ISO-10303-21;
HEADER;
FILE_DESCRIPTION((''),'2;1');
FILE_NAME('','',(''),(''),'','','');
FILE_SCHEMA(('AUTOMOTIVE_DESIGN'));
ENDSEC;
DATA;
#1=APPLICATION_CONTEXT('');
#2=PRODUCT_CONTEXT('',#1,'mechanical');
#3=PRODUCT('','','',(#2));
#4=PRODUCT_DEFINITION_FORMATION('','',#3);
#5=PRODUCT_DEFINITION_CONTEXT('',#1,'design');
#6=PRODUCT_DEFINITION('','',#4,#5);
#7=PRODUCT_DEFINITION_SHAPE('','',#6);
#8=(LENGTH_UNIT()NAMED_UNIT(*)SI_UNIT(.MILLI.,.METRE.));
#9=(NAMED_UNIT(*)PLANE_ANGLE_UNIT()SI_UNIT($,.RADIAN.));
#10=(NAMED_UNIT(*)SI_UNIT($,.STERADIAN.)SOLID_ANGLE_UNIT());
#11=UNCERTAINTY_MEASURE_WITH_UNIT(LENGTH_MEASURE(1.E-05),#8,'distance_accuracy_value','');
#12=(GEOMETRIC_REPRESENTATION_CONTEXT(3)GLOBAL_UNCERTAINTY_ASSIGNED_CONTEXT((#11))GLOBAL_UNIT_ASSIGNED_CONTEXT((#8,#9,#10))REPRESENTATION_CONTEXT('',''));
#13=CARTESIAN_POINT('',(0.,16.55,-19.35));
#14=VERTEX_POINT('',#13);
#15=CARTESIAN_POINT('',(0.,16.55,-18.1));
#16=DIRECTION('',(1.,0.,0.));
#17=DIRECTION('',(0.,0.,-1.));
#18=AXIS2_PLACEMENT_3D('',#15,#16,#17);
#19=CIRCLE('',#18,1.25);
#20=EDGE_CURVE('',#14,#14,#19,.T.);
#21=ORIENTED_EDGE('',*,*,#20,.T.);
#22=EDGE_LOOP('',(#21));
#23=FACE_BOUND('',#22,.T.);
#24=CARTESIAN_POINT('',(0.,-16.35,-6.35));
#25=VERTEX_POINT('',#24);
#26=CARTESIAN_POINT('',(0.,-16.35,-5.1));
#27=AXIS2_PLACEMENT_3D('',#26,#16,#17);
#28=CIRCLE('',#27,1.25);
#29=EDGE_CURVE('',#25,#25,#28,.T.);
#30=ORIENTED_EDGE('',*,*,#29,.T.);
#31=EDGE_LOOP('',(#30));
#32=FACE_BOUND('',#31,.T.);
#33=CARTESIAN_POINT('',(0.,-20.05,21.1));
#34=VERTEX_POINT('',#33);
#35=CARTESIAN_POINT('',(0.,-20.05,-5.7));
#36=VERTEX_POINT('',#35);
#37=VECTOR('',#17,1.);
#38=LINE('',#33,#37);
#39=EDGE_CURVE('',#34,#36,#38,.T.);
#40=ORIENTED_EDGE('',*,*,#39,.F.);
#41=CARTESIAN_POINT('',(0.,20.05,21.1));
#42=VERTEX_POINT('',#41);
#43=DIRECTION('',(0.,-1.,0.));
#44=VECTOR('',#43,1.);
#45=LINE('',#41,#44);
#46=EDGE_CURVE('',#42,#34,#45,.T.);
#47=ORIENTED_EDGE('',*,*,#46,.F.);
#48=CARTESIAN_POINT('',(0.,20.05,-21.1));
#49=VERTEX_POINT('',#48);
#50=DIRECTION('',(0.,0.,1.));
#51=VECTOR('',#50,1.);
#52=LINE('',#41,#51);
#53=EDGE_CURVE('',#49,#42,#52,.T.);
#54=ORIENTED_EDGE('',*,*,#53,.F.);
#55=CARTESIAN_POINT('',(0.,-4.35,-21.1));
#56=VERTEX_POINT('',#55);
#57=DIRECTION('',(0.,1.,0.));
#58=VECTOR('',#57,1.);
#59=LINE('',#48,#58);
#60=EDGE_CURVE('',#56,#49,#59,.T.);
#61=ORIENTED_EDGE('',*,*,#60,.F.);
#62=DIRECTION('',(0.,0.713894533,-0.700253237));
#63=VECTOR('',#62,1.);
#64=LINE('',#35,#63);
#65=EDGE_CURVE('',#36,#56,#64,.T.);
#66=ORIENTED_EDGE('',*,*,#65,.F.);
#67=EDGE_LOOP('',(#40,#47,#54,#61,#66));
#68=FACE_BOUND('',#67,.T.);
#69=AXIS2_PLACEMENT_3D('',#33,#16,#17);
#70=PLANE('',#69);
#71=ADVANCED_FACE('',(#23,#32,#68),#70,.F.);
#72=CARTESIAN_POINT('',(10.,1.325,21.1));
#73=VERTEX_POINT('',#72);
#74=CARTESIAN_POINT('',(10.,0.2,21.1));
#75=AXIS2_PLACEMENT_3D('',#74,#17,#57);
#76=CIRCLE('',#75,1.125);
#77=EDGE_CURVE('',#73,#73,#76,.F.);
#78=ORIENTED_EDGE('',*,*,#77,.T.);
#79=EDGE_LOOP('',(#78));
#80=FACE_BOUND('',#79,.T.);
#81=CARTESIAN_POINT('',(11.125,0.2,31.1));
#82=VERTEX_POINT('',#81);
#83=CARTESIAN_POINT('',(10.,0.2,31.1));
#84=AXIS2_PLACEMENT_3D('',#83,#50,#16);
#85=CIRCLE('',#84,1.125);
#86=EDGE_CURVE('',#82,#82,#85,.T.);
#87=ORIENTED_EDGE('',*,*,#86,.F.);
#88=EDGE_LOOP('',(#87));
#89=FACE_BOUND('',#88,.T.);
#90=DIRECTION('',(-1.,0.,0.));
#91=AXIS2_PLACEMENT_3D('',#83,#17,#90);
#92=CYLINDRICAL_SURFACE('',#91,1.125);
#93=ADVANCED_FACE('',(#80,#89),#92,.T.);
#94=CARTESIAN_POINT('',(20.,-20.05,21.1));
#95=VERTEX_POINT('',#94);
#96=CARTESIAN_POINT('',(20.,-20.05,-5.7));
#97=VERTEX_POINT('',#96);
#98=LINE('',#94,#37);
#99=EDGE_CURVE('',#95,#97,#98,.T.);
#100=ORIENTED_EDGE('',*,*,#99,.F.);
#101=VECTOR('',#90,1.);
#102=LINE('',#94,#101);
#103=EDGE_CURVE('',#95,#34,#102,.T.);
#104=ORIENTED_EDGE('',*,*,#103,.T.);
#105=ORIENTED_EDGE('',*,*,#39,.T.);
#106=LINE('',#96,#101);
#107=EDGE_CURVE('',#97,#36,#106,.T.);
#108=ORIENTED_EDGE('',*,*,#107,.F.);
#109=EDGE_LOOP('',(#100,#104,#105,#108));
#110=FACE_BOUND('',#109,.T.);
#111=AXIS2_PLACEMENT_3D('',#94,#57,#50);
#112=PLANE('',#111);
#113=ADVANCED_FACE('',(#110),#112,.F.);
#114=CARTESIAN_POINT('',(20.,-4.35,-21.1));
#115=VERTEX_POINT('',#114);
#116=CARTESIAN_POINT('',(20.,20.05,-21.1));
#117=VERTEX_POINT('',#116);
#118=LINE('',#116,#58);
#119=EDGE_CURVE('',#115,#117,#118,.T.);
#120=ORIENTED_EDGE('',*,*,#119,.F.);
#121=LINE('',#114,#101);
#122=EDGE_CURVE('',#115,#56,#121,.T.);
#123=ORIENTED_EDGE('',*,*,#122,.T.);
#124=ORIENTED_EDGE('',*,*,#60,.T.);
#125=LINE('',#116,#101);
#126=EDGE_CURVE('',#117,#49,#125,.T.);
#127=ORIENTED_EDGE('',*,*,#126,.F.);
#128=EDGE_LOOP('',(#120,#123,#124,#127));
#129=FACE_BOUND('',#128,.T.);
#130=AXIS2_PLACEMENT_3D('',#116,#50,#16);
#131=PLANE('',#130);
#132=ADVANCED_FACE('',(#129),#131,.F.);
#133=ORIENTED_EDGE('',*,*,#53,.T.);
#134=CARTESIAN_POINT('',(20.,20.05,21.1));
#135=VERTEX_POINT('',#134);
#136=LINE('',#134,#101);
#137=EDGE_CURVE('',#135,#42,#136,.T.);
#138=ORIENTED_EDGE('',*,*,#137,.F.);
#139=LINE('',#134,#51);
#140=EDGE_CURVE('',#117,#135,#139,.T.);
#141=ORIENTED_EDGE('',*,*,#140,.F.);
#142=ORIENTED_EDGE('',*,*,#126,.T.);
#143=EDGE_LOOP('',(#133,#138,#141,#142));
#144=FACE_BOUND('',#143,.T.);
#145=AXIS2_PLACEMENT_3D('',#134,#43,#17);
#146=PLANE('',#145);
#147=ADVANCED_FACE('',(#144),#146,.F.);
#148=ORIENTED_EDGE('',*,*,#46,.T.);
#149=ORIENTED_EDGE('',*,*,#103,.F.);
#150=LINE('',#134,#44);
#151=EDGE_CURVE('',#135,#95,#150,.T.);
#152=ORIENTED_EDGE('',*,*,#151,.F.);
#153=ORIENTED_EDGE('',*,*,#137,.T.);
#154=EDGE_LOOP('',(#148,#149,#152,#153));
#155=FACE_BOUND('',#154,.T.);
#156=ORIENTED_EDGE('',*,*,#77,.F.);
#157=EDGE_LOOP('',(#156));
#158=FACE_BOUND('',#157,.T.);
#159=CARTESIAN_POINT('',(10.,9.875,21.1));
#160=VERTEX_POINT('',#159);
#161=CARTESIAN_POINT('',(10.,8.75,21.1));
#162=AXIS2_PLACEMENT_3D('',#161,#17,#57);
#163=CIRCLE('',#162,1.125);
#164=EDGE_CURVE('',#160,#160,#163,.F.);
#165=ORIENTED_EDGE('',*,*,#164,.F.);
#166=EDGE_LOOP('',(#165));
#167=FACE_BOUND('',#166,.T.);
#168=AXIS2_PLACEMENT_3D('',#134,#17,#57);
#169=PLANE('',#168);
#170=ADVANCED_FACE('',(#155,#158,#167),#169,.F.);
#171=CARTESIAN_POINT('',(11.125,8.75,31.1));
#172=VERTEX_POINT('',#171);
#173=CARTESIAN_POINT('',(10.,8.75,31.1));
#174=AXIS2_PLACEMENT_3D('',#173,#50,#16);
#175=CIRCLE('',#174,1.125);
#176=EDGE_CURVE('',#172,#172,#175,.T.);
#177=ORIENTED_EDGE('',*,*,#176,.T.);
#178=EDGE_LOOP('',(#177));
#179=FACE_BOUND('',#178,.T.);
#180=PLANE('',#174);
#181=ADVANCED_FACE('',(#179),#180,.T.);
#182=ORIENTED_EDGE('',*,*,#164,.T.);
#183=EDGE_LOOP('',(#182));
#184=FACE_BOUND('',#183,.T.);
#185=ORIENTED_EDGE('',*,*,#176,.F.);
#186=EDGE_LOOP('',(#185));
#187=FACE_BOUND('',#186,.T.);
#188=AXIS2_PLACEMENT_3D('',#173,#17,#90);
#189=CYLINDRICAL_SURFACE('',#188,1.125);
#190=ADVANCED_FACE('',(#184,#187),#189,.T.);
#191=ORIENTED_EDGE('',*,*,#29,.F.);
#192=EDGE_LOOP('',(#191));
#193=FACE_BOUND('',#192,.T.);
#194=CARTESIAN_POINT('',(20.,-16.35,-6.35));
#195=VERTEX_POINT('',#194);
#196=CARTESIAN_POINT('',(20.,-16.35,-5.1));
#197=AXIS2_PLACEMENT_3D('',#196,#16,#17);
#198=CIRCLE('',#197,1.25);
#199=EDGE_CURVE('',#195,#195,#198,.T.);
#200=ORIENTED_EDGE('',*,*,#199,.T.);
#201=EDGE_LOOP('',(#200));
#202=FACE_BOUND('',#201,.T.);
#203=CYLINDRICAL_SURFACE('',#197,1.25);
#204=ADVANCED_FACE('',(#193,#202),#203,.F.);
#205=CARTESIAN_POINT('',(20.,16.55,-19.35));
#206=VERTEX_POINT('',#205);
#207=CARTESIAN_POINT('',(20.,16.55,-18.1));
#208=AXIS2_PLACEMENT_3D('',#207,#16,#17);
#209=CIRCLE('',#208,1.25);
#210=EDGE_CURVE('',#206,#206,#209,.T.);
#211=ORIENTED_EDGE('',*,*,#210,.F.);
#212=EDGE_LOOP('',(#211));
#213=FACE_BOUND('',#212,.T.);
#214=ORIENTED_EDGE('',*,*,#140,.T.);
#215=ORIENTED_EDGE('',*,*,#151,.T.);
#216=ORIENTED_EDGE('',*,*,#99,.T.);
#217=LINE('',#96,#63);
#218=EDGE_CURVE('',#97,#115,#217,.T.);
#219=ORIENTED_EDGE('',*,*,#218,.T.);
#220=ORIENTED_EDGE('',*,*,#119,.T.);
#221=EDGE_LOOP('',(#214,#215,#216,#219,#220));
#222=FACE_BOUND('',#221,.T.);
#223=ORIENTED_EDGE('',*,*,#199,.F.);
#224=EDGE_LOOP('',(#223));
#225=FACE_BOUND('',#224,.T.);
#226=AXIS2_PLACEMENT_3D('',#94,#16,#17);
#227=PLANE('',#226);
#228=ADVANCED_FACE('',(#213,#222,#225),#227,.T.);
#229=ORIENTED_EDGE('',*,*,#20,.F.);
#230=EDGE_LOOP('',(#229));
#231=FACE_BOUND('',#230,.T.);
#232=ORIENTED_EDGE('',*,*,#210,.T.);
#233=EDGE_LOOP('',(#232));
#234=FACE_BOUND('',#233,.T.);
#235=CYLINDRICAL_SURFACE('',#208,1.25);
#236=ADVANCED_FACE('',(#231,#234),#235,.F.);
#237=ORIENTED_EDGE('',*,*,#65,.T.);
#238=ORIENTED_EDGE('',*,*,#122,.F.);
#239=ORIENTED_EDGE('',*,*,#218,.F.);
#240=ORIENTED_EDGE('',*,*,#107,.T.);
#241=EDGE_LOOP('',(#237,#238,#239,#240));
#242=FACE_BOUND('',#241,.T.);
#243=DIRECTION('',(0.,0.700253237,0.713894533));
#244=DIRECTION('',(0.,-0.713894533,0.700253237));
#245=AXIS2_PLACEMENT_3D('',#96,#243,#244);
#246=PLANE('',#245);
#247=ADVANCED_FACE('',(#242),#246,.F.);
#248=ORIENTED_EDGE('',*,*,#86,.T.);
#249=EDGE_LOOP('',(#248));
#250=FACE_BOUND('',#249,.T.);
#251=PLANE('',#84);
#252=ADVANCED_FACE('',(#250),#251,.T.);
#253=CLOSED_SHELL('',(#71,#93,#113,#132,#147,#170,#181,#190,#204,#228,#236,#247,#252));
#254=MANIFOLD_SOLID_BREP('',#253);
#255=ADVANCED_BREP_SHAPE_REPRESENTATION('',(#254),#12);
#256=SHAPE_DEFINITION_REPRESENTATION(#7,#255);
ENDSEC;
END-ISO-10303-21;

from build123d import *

# Parameters (mm, degrees)
BOSS_EXTRUDE1_DEPTH        = 20
F_2_5_2_5_DIAMETER_HOLE1_D = 2.5
F_2_5_2_5_DIAMETER_HOLE2_D = 2.5
SKETCH6_R                  = 1.125
BOSS_EXTRUDE2_DEPTH        = 10


with BuildPart() as part:
    # Sketch1 → Boss-Extrude1 (new body)
    with BuildSketch(Plane(origin=(0, 0, 0), x_dir=(0, 0, -1), z_dir=(1, 0, 0))):
        Polygon((5.7, -20.05), (21.1, -4.35), (21.1, 20.05), (-21.1, 20.05), (-21.1, -20.05), align=None)
    extrude(amount=BOSS_EXTRUDE1_DEPTH)

    # Ø2.5 (2.5) Diameter Hole1 (through all)
    with Locations(Plane(origin=(20, 0, 0), x_dir=(0, 0, -1), z_dir=(1, 0, 0))):
        with Locations((18.1, 16.55)):
            Hole(F_2_5_2_5_DIAMETER_HOLE1_D / 2)

    # Ø2.5 (2.5) Diameter Hole2 (through all)
    with Locations(Plane(origin=(20, 0, 0), x_dir=(0, 0, -1), z_dir=(1, 0, 0))):
        with Locations((5.1, -16.35)):
            Hole(F_2_5_2_5_DIAMETER_HOLE2_D / 2)

    # Sketch6 → Boss-Extrude2 (add)
    with BuildSketch(Plane.XY.offset(21.1)):
        with Locations(Location((10, 8.75, 0), (0, 0, 90))):
            Circle(SKETCH6_R)
        with Locations(Location((10, 0.2, 0), (0, 0, 90))):
            Circle(SKETCH6_R)
    extrude(amount=BOSS_EXTRUDE2_DEPTH)


solid = part.part
